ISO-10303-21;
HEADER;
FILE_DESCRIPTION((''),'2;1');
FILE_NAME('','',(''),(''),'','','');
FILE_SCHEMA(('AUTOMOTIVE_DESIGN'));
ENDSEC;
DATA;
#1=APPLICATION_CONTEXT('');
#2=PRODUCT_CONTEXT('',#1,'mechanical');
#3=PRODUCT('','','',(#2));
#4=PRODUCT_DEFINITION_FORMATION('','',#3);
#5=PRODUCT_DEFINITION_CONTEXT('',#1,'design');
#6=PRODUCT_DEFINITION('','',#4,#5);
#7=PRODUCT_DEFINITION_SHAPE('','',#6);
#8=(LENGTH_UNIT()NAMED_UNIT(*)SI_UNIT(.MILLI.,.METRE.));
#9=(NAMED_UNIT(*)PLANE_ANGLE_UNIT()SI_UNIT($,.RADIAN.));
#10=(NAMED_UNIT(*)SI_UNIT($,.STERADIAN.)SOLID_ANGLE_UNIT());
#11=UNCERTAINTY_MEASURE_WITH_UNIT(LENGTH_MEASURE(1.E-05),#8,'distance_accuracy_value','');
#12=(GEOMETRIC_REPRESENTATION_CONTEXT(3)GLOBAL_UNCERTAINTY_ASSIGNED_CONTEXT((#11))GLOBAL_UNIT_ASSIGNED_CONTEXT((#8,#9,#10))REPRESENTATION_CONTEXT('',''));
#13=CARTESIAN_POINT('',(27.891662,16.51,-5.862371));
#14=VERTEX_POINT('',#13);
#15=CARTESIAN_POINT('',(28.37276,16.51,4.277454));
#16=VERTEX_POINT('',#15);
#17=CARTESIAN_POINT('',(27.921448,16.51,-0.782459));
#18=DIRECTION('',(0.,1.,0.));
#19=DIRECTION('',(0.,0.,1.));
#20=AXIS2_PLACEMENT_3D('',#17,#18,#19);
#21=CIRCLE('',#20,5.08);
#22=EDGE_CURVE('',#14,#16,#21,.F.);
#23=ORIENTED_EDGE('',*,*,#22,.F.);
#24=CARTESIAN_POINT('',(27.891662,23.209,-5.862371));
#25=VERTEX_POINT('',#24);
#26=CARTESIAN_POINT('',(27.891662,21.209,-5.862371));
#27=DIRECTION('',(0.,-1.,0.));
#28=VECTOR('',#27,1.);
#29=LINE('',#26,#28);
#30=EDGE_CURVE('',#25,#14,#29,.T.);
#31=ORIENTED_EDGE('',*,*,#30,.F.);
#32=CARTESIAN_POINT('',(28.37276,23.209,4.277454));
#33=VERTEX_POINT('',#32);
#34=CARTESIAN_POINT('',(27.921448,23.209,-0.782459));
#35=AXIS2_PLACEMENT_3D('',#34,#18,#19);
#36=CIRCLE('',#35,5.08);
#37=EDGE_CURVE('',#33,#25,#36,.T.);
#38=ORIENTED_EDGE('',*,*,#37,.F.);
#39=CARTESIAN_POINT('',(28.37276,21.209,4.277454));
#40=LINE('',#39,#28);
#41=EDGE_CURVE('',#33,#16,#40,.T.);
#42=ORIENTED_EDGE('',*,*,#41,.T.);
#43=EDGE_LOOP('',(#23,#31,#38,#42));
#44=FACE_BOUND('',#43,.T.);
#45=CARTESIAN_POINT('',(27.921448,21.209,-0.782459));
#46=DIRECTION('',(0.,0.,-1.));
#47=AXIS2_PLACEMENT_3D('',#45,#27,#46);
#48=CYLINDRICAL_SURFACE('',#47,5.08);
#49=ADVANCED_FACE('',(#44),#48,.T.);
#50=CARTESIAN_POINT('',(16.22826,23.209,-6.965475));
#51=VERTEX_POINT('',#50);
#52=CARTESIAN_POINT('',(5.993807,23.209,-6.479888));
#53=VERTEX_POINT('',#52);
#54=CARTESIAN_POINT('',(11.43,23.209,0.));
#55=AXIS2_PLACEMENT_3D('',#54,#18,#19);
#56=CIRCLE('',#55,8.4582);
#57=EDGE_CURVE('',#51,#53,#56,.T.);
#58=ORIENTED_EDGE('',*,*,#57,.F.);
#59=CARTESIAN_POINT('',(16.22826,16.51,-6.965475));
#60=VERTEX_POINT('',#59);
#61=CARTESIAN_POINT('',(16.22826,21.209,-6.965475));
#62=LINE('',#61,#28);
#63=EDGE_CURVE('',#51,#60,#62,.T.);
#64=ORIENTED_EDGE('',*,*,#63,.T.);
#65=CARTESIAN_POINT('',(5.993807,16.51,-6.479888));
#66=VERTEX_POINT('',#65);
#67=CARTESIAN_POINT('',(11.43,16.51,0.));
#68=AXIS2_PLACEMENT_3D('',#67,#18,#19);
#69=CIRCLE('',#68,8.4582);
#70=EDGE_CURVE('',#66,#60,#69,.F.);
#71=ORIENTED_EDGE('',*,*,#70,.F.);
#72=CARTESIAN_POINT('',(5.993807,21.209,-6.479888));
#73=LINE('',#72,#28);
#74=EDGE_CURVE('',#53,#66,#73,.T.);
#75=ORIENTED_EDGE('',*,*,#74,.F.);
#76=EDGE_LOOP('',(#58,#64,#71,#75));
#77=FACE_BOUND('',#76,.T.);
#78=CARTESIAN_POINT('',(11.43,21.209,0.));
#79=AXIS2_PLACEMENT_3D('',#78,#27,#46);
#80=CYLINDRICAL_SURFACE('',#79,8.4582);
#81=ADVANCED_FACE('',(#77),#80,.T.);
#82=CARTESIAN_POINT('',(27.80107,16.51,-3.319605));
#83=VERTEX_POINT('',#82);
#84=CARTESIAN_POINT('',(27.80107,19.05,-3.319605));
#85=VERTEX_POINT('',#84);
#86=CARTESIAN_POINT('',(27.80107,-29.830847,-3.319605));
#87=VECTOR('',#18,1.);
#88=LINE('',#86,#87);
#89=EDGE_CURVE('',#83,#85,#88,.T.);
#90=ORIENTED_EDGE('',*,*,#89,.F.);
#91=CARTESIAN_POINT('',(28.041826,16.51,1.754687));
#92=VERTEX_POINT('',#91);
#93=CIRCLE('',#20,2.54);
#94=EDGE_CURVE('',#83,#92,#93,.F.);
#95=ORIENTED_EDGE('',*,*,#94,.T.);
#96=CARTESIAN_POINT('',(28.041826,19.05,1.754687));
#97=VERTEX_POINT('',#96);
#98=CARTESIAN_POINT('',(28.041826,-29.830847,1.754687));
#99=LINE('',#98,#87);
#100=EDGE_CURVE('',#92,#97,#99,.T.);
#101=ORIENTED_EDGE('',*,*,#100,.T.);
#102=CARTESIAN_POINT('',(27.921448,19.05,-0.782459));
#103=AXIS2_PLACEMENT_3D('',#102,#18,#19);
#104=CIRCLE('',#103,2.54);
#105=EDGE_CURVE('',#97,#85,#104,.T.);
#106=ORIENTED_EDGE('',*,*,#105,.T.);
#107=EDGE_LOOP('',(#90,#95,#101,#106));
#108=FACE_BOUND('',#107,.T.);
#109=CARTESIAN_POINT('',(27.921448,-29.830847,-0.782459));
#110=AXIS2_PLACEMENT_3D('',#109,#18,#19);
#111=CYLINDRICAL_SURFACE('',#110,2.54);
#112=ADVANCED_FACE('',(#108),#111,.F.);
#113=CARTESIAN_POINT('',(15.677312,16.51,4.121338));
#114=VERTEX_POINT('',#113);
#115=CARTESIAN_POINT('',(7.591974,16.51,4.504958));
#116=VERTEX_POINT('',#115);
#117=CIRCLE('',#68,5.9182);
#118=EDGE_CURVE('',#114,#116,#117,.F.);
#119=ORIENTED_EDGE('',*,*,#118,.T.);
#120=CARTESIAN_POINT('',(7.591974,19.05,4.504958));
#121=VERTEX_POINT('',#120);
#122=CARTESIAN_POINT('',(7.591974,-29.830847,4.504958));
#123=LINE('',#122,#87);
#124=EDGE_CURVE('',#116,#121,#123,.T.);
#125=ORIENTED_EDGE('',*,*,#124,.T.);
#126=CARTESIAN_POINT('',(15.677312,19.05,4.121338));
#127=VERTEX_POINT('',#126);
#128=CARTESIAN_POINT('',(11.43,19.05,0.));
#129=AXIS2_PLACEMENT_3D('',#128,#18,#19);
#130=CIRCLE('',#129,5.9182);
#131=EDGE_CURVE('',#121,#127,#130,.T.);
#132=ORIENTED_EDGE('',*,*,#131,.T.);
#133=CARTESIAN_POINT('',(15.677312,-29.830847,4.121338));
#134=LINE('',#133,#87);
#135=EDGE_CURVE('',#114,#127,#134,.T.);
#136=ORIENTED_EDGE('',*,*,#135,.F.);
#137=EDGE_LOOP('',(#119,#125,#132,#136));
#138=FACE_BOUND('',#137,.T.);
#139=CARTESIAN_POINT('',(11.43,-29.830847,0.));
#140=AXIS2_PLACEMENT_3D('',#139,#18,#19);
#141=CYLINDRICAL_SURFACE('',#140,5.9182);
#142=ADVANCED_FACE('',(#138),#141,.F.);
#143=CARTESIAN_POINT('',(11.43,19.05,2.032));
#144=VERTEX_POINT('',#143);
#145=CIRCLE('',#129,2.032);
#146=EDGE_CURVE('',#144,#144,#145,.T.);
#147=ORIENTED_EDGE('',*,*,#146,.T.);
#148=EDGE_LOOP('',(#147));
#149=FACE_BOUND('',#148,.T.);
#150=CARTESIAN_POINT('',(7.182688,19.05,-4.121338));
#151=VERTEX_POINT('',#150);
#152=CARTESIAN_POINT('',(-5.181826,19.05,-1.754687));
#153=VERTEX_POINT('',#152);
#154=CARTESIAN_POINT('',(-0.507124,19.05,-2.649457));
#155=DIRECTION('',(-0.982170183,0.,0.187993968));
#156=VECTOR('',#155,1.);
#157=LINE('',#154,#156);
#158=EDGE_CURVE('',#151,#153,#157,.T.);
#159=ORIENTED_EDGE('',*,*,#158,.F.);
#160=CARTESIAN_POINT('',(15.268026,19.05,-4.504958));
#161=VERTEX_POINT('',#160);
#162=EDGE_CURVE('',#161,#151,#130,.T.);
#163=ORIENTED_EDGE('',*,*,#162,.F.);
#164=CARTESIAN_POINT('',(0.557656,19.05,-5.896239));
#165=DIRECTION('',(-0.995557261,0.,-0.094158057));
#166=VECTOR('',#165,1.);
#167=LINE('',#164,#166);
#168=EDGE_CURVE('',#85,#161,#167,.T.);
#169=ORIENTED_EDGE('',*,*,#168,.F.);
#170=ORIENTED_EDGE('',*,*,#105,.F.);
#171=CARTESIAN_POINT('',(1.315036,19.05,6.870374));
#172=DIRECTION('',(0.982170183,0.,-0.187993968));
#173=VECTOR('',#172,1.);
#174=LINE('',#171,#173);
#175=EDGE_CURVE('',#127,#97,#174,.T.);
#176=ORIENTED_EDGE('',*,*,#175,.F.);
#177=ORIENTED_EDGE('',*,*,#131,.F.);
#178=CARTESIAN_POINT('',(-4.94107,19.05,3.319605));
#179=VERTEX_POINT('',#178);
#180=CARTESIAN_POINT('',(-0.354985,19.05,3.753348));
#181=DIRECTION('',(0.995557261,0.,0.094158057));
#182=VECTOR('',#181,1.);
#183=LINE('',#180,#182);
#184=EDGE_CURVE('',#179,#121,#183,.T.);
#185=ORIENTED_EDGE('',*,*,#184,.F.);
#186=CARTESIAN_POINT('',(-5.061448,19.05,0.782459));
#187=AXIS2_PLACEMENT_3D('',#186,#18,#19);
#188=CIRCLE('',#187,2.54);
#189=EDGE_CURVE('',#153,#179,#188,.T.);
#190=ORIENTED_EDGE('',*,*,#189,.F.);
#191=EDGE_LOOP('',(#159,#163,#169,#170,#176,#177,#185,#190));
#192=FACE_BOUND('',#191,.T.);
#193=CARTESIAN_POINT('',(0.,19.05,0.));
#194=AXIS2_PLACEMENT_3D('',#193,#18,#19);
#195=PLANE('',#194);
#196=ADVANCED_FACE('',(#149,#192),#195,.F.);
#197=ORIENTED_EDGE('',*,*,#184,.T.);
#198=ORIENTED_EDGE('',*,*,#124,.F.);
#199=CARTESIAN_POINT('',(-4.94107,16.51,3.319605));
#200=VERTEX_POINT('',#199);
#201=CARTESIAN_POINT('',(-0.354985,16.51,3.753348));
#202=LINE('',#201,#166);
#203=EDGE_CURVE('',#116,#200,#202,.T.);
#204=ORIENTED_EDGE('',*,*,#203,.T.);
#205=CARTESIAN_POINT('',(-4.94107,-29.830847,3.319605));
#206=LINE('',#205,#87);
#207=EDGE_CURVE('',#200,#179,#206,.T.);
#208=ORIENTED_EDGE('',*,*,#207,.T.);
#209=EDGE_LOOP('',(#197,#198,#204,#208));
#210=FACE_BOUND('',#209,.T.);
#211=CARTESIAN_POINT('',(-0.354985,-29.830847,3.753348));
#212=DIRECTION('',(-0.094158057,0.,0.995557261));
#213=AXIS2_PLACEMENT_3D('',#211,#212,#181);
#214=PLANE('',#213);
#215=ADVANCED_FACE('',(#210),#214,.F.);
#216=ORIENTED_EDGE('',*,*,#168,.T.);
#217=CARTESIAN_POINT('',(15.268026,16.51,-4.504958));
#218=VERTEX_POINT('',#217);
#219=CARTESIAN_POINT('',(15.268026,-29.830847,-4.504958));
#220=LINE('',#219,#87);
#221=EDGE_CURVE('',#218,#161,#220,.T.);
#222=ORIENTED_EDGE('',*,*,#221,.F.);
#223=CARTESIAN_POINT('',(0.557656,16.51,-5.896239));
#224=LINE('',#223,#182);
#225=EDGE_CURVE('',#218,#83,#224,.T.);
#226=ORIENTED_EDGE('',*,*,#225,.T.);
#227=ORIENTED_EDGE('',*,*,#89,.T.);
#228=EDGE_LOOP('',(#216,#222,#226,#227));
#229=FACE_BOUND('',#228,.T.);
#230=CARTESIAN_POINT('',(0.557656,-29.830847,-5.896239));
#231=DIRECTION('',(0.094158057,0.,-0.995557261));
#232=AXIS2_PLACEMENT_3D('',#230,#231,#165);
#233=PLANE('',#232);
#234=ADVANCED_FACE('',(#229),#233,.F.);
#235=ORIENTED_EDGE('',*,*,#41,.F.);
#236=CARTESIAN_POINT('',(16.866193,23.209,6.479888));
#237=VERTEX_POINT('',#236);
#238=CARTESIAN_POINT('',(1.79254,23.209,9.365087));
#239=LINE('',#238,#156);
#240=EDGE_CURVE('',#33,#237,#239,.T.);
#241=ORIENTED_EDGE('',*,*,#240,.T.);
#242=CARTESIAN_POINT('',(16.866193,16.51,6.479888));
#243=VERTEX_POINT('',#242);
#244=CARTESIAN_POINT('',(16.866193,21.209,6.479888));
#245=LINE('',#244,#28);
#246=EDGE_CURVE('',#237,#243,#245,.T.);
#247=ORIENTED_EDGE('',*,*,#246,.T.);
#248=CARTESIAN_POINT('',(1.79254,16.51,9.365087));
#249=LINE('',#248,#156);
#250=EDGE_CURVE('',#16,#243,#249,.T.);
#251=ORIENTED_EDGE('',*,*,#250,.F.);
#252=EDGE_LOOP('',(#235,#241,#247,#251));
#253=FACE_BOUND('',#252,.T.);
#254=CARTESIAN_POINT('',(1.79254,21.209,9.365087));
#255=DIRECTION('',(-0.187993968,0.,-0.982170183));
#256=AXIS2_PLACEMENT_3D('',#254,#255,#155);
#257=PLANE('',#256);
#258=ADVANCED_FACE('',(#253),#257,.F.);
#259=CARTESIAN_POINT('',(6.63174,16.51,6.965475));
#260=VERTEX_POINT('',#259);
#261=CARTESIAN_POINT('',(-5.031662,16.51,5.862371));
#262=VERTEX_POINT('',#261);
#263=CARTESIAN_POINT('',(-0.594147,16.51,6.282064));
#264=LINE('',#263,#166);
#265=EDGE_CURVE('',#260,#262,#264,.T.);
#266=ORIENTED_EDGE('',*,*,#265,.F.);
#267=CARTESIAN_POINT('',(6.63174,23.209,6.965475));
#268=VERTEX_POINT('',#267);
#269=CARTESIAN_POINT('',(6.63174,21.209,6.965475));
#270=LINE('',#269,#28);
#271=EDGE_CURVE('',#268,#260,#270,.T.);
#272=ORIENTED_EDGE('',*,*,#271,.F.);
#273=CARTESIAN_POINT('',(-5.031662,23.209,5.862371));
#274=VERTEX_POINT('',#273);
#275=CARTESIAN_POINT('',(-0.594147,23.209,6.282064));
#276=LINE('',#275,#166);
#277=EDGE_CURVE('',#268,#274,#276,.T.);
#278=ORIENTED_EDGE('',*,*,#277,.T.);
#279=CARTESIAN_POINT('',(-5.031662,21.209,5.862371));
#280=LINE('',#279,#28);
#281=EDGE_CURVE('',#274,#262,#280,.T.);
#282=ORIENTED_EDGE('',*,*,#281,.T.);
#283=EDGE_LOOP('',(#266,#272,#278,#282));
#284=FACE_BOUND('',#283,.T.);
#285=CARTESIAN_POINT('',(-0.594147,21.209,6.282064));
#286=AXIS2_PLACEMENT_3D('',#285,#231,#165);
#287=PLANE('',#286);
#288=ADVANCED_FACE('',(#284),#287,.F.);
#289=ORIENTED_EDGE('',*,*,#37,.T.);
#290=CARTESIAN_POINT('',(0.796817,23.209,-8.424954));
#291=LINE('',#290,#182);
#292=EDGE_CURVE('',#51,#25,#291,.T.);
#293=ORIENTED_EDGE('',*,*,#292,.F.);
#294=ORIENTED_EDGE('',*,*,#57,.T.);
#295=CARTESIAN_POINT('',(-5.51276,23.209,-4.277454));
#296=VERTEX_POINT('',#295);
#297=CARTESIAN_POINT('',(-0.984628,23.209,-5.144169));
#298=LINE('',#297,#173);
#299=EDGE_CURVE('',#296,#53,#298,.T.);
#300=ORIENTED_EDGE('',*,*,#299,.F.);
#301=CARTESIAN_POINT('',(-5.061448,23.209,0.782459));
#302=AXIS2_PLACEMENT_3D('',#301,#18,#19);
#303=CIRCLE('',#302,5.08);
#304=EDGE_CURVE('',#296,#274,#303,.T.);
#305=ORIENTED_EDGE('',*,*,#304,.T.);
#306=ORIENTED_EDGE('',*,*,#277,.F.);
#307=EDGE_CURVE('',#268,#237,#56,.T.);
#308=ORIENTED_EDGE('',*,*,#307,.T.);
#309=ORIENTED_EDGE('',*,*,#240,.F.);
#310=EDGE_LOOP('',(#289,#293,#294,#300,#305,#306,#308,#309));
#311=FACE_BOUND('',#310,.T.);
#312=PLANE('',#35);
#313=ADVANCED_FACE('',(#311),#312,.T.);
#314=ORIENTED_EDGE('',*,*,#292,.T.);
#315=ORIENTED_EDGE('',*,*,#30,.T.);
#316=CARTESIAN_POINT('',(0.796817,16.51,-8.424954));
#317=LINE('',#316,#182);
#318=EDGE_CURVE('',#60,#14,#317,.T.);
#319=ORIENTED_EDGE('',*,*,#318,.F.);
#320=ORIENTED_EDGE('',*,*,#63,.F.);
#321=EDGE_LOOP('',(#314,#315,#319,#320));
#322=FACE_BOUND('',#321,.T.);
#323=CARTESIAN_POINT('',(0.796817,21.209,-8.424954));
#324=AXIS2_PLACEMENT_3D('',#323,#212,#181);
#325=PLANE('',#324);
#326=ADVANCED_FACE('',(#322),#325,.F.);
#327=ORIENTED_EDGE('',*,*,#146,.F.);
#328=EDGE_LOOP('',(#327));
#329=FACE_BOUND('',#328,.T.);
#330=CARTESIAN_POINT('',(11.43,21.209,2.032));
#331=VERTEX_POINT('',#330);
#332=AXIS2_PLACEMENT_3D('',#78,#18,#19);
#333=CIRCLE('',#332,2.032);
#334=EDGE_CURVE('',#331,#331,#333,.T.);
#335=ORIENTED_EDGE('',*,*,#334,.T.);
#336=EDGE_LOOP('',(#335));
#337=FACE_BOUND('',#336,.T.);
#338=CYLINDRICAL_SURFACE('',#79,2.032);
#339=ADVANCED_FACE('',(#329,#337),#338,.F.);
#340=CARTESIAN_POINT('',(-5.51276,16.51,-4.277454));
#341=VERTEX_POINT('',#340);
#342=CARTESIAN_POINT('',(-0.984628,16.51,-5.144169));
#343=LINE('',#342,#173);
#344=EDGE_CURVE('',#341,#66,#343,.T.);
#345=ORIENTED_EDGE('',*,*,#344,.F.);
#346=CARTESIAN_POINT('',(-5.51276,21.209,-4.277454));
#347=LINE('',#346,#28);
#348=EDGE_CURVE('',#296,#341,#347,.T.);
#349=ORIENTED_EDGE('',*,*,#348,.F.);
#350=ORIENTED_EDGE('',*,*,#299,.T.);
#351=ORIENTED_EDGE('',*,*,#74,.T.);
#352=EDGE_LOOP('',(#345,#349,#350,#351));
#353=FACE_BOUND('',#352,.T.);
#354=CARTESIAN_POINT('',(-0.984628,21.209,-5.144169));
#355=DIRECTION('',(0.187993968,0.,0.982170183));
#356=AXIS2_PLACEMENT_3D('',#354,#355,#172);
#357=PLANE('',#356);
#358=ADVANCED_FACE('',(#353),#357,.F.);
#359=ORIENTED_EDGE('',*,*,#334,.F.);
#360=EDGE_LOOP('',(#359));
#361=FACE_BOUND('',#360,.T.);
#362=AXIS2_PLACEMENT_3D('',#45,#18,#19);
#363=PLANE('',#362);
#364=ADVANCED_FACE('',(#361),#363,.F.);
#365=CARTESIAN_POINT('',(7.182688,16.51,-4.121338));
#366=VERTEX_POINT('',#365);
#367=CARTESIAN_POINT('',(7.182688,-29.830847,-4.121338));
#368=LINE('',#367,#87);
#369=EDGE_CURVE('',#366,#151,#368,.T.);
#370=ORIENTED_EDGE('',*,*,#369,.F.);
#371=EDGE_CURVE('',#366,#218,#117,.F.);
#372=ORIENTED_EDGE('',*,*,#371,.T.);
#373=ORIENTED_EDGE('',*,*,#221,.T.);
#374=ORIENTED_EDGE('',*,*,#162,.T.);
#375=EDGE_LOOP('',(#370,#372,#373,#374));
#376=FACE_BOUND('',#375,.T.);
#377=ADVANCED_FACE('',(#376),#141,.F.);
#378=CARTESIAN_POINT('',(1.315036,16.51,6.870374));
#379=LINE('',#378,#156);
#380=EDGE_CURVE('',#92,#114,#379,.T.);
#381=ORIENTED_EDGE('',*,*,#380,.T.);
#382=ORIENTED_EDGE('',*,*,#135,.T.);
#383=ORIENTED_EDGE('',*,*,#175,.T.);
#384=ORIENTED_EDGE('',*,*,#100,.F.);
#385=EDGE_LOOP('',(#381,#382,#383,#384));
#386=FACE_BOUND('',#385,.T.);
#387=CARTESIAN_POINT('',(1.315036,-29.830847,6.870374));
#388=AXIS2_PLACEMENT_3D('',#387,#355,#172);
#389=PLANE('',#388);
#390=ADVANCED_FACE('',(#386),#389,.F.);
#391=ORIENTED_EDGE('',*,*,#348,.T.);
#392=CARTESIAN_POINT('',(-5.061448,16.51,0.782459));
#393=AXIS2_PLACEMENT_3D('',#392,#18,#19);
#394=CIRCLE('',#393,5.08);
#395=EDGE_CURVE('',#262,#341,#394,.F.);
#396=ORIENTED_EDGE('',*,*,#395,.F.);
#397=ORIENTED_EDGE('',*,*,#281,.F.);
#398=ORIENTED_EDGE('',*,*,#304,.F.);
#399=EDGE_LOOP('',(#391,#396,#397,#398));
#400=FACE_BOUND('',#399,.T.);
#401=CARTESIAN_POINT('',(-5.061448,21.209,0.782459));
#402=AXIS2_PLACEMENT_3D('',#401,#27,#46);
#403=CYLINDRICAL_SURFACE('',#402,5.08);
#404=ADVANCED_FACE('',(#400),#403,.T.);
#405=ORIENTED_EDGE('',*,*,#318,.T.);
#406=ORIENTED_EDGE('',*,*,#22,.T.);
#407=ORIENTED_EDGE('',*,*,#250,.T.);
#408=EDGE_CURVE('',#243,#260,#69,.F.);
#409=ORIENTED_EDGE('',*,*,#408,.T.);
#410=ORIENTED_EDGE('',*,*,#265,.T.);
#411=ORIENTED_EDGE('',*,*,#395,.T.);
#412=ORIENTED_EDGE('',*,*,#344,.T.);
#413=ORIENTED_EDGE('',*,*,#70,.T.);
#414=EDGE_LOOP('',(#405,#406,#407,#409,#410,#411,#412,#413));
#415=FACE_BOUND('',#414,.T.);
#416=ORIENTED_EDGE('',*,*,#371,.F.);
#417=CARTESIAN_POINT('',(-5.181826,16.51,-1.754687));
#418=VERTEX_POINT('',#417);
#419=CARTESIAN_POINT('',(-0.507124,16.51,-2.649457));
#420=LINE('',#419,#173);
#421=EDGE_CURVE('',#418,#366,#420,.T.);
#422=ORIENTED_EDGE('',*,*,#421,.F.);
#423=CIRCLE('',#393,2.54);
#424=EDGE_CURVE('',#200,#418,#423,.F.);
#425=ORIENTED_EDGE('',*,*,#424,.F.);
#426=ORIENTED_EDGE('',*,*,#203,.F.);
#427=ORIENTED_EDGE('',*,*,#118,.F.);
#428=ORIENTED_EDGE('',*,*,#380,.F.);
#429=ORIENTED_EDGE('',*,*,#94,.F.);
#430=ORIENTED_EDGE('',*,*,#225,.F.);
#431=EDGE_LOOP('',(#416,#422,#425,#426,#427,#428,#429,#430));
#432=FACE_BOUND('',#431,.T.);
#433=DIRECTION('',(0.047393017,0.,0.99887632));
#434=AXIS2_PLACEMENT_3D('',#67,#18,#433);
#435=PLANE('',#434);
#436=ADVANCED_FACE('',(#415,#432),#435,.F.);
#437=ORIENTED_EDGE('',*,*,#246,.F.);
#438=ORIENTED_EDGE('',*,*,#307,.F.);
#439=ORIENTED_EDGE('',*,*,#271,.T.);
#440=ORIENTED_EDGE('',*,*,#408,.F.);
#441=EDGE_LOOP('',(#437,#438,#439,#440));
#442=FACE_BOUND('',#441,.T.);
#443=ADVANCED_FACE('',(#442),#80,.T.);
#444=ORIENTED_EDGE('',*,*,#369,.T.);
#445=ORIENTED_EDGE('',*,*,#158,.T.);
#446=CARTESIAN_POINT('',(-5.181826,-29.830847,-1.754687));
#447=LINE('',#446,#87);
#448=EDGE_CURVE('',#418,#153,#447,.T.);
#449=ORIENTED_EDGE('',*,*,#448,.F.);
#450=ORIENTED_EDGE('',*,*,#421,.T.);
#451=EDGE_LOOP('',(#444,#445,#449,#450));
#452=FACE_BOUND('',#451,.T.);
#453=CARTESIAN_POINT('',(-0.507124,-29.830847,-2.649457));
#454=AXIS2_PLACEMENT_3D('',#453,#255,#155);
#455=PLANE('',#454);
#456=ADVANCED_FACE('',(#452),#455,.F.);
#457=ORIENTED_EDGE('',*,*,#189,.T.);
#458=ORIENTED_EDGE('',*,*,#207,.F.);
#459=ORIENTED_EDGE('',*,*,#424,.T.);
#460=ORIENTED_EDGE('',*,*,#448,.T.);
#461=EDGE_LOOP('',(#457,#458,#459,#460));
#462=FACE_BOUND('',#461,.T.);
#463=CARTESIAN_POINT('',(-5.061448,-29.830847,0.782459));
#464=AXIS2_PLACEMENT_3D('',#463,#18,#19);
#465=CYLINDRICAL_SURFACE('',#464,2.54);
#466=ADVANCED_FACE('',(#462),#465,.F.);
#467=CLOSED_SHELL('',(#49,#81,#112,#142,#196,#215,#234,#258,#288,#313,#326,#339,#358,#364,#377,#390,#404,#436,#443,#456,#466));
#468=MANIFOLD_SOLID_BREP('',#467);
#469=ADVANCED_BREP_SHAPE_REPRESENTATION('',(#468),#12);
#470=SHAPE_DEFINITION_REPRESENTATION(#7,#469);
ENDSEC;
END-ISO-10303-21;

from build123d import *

# Parameters (mm, degrees)
SKETCH1_R           = 2.032
BOSS_EXTRUDE1_DEPTH = 2.159
BOSS_EXTRUDE2_START = -2.54
BOSS_EXTRUDE2_DEPTH = 2.54
BOSS_EXTRUDE3_START = 2.159
BOSS_EXTRUDE3_DEPTH = 2


with BuildPart() as part:
    # Sketch1 → Boss-Extrude1 (new body)
    with BuildSketch(Plane(origin=(0, 19.05, 0), x_dir=(1, 0, 0), z_dir=(0, 1, 0))):
        with BuildLine():
            Line((27.891662372, 5.862371385), (16.22825993, 6.965475496))
            ThreePointArc((16.22825993, 6.965475496), (11.029140385, 8.448695687), (5.993806888, 6.479888246))
            Line((5.993806888, 6.479888246), (-5.512759891, 4.277454099))
            ThreePointArc((-5.512759891, 4.277454099), (-10.135739741, -1.023215233), (-5.031662372, -5.862371385))
            Line((-5.031662372, -5.862371385), (6.63174007, -6.965475496))
            ThreePointArc((6.63174007, -6.965475496), (11.830859615, -8.448695687), (16.866193112, -6.479888246))
            Line((16.866193112, -6.479888246), (28.372759891, -4.277454099))
            ThreePointArc((28.372759891, -4.277454099), (32.995739741, 1.023215233), (27.891662372, 5.862371385))
        make_face()
        with Locations(Location((11.43, 0, 0), (0, 0, 270))):
            Circle(SKETCH1_R, mode=Mode.SUBTRACT)
    extrude(amount=BOSS_EXTRUDE1_DEPTH)

    # Sketch1<3> → Boss-Extrude2 (add)
    with BuildSketch(Plane(origin=(0, 19.05, 0), x_dir=(1, 0, 0), z_dir=(0, 1, 0)).offset(BOSS_EXTRUDE2_START)):
        with BuildLine():
            Line((5.993806888, 6.479888246), (-5.512759891, 4.277454099))
            ThreePointArc((-5.512759891, 4.277454099), (-10.135739741, -1.023215233), (-5.031662372, -5.862371385))
            Line((-5.031662372, -5.862371385), (6.63174007, -6.965475496))
            ThreePointArc((6.63174007, -6.965475496), (11.830859615, -8.448695687), (16.866193112, -6.479888246))
            Line((16.866193112, -6.479888246), (28.372759891, -4.277454099))
            ThreePointArc((28.372759891, -4.277454099), (32.995739741, 1.023215233), (27.891662372, 5.862371385))
            Line((27.891662372, 5.862371385), (16.22825993, 6.965475496))
            ThreePointArc((16.22825993, 6.965475496), (11.029140385, 8.448695687), (5.993806888, 6.479888246))
        make_face()
        with BuildLine():
            ThreePointArc((28.0418263, -1.754687144), (30.458593889, 0.90283697), (27.801069775, 3.319604559))
            Line((27.801069775, 3.319604559), (15.268026397, 4.504957782))
            ThreePointArc((15.268026397, 4.504957782), (11.149518648, 5.911549835), (7.18268751, 4.121338114))
            Line((7.18268751, 4.121338114), (-5.1818263, 1.754687144))
            ThreePointArc((-5.1818263, 1.754687144), (-7.598593889, -0.90283697), (-4.941069775, -3.319604559))
            Line((-4.941069775, -3.319604559), (7.591973603, -4.504957782))
            ThreePointArc((7.591973603, -4.504957782), (11.710481352, -5.911549835), (15.67731249, -4.121338114))
            Line((15.67731249, -4.121338114), (28.0418263, -1.754687144))
        make_face(mode=Mode.SUBTRACT)
    extrude(amount=BOSS_EXTRUDE2_DEPTH)

    # Sketch1<4> → Boss-Extrude3 (add)
    with BuildSketch(Plane(origin=(0, 19.05, 0), x_dir=(1, 0, 0), z_dir=(0, 1, 0)).offset(BOSS_EXTRUDE3_START)):
        with BuildLine():
            Line((27.891662372, 5.862371385), (16.22825993, 6.965475496))
            ThreePointArc((16.22825993, 6.965475496), (11.029140385, 8.448695687), (5.993806888, 6.479888246))
            Line((5.993806888, 6.479888246), (-5.512759891, 4.277454099))
            ThreePointArc((-5.512759891, 4.277454099), (-10.135739741, -1.023215233), (-5.031662372, -5.862371385))
            Line((-5.031662372, -5.862371385), (6.63174007, -6.965475496))
            ThreePointArc((6.63174007, -6.965475496), (11.830859615, -8.448695687), (16.866193112, -6.479888246))
            Line((16.866193112, -6.479888246), (28.372759891, -4.277454099))
            ThreePointArc((28.372759891, -4.277454099), (32.995739741, 1.023215233), (27.891662372, 5.862371385))
        make_face()
    extrude(amount=BOSS_EXTRUDE3_DEPTH)


solid = part.part
